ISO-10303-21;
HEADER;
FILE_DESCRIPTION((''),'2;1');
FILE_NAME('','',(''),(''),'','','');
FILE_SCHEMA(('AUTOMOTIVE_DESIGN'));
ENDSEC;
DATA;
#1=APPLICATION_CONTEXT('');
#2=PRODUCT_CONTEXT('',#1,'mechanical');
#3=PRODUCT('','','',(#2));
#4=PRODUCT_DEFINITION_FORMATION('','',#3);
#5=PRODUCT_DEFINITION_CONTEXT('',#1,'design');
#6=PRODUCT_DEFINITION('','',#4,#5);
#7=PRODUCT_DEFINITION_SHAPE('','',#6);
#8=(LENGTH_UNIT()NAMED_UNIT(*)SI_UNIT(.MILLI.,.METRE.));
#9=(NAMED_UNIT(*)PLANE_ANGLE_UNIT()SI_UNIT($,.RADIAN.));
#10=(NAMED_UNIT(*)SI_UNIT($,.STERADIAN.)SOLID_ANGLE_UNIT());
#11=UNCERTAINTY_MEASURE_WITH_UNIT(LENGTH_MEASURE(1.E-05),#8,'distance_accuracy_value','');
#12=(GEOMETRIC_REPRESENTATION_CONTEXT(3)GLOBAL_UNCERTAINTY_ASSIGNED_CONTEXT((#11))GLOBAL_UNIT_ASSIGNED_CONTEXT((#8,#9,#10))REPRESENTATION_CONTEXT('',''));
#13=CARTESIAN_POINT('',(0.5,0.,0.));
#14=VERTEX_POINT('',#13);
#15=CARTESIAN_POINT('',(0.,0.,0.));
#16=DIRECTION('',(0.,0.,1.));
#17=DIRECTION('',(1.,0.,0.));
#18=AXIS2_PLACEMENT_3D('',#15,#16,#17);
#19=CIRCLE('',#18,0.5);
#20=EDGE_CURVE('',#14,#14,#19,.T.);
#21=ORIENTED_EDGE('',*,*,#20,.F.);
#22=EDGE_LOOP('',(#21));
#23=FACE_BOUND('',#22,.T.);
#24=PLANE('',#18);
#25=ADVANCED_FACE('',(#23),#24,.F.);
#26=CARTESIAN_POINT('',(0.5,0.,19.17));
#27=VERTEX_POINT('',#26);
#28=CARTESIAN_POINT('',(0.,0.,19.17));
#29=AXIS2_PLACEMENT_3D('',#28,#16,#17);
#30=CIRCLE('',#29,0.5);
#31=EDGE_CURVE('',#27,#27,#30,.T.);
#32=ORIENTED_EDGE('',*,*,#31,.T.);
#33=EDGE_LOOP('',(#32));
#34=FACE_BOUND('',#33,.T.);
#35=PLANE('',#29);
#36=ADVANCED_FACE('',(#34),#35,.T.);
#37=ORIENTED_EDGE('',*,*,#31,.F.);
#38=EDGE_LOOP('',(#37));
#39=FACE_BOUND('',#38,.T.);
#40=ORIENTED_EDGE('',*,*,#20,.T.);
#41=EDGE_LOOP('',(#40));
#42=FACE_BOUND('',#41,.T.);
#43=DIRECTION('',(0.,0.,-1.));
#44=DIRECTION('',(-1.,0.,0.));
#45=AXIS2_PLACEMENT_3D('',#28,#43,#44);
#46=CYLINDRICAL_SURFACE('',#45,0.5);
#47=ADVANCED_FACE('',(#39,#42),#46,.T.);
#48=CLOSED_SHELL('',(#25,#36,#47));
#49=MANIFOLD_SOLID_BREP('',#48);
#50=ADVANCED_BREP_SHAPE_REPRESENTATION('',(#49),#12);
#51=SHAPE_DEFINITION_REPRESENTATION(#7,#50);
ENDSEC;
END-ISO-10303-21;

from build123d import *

# Parameters (mm, degrees)
SKETCH1_R           = 0.5
BOSS_EXTRUDE1_DEPTH = 19.17


with BuildPart() as part:
    # Sketch1 → Boss-Extrude1 (new body)
    with BuildSketch(Plane.XY):
        Circle(SKETCH1_R)
    extrude(amount=BOSS_EXTRUDE1_DEPTH)


solid = part.part
